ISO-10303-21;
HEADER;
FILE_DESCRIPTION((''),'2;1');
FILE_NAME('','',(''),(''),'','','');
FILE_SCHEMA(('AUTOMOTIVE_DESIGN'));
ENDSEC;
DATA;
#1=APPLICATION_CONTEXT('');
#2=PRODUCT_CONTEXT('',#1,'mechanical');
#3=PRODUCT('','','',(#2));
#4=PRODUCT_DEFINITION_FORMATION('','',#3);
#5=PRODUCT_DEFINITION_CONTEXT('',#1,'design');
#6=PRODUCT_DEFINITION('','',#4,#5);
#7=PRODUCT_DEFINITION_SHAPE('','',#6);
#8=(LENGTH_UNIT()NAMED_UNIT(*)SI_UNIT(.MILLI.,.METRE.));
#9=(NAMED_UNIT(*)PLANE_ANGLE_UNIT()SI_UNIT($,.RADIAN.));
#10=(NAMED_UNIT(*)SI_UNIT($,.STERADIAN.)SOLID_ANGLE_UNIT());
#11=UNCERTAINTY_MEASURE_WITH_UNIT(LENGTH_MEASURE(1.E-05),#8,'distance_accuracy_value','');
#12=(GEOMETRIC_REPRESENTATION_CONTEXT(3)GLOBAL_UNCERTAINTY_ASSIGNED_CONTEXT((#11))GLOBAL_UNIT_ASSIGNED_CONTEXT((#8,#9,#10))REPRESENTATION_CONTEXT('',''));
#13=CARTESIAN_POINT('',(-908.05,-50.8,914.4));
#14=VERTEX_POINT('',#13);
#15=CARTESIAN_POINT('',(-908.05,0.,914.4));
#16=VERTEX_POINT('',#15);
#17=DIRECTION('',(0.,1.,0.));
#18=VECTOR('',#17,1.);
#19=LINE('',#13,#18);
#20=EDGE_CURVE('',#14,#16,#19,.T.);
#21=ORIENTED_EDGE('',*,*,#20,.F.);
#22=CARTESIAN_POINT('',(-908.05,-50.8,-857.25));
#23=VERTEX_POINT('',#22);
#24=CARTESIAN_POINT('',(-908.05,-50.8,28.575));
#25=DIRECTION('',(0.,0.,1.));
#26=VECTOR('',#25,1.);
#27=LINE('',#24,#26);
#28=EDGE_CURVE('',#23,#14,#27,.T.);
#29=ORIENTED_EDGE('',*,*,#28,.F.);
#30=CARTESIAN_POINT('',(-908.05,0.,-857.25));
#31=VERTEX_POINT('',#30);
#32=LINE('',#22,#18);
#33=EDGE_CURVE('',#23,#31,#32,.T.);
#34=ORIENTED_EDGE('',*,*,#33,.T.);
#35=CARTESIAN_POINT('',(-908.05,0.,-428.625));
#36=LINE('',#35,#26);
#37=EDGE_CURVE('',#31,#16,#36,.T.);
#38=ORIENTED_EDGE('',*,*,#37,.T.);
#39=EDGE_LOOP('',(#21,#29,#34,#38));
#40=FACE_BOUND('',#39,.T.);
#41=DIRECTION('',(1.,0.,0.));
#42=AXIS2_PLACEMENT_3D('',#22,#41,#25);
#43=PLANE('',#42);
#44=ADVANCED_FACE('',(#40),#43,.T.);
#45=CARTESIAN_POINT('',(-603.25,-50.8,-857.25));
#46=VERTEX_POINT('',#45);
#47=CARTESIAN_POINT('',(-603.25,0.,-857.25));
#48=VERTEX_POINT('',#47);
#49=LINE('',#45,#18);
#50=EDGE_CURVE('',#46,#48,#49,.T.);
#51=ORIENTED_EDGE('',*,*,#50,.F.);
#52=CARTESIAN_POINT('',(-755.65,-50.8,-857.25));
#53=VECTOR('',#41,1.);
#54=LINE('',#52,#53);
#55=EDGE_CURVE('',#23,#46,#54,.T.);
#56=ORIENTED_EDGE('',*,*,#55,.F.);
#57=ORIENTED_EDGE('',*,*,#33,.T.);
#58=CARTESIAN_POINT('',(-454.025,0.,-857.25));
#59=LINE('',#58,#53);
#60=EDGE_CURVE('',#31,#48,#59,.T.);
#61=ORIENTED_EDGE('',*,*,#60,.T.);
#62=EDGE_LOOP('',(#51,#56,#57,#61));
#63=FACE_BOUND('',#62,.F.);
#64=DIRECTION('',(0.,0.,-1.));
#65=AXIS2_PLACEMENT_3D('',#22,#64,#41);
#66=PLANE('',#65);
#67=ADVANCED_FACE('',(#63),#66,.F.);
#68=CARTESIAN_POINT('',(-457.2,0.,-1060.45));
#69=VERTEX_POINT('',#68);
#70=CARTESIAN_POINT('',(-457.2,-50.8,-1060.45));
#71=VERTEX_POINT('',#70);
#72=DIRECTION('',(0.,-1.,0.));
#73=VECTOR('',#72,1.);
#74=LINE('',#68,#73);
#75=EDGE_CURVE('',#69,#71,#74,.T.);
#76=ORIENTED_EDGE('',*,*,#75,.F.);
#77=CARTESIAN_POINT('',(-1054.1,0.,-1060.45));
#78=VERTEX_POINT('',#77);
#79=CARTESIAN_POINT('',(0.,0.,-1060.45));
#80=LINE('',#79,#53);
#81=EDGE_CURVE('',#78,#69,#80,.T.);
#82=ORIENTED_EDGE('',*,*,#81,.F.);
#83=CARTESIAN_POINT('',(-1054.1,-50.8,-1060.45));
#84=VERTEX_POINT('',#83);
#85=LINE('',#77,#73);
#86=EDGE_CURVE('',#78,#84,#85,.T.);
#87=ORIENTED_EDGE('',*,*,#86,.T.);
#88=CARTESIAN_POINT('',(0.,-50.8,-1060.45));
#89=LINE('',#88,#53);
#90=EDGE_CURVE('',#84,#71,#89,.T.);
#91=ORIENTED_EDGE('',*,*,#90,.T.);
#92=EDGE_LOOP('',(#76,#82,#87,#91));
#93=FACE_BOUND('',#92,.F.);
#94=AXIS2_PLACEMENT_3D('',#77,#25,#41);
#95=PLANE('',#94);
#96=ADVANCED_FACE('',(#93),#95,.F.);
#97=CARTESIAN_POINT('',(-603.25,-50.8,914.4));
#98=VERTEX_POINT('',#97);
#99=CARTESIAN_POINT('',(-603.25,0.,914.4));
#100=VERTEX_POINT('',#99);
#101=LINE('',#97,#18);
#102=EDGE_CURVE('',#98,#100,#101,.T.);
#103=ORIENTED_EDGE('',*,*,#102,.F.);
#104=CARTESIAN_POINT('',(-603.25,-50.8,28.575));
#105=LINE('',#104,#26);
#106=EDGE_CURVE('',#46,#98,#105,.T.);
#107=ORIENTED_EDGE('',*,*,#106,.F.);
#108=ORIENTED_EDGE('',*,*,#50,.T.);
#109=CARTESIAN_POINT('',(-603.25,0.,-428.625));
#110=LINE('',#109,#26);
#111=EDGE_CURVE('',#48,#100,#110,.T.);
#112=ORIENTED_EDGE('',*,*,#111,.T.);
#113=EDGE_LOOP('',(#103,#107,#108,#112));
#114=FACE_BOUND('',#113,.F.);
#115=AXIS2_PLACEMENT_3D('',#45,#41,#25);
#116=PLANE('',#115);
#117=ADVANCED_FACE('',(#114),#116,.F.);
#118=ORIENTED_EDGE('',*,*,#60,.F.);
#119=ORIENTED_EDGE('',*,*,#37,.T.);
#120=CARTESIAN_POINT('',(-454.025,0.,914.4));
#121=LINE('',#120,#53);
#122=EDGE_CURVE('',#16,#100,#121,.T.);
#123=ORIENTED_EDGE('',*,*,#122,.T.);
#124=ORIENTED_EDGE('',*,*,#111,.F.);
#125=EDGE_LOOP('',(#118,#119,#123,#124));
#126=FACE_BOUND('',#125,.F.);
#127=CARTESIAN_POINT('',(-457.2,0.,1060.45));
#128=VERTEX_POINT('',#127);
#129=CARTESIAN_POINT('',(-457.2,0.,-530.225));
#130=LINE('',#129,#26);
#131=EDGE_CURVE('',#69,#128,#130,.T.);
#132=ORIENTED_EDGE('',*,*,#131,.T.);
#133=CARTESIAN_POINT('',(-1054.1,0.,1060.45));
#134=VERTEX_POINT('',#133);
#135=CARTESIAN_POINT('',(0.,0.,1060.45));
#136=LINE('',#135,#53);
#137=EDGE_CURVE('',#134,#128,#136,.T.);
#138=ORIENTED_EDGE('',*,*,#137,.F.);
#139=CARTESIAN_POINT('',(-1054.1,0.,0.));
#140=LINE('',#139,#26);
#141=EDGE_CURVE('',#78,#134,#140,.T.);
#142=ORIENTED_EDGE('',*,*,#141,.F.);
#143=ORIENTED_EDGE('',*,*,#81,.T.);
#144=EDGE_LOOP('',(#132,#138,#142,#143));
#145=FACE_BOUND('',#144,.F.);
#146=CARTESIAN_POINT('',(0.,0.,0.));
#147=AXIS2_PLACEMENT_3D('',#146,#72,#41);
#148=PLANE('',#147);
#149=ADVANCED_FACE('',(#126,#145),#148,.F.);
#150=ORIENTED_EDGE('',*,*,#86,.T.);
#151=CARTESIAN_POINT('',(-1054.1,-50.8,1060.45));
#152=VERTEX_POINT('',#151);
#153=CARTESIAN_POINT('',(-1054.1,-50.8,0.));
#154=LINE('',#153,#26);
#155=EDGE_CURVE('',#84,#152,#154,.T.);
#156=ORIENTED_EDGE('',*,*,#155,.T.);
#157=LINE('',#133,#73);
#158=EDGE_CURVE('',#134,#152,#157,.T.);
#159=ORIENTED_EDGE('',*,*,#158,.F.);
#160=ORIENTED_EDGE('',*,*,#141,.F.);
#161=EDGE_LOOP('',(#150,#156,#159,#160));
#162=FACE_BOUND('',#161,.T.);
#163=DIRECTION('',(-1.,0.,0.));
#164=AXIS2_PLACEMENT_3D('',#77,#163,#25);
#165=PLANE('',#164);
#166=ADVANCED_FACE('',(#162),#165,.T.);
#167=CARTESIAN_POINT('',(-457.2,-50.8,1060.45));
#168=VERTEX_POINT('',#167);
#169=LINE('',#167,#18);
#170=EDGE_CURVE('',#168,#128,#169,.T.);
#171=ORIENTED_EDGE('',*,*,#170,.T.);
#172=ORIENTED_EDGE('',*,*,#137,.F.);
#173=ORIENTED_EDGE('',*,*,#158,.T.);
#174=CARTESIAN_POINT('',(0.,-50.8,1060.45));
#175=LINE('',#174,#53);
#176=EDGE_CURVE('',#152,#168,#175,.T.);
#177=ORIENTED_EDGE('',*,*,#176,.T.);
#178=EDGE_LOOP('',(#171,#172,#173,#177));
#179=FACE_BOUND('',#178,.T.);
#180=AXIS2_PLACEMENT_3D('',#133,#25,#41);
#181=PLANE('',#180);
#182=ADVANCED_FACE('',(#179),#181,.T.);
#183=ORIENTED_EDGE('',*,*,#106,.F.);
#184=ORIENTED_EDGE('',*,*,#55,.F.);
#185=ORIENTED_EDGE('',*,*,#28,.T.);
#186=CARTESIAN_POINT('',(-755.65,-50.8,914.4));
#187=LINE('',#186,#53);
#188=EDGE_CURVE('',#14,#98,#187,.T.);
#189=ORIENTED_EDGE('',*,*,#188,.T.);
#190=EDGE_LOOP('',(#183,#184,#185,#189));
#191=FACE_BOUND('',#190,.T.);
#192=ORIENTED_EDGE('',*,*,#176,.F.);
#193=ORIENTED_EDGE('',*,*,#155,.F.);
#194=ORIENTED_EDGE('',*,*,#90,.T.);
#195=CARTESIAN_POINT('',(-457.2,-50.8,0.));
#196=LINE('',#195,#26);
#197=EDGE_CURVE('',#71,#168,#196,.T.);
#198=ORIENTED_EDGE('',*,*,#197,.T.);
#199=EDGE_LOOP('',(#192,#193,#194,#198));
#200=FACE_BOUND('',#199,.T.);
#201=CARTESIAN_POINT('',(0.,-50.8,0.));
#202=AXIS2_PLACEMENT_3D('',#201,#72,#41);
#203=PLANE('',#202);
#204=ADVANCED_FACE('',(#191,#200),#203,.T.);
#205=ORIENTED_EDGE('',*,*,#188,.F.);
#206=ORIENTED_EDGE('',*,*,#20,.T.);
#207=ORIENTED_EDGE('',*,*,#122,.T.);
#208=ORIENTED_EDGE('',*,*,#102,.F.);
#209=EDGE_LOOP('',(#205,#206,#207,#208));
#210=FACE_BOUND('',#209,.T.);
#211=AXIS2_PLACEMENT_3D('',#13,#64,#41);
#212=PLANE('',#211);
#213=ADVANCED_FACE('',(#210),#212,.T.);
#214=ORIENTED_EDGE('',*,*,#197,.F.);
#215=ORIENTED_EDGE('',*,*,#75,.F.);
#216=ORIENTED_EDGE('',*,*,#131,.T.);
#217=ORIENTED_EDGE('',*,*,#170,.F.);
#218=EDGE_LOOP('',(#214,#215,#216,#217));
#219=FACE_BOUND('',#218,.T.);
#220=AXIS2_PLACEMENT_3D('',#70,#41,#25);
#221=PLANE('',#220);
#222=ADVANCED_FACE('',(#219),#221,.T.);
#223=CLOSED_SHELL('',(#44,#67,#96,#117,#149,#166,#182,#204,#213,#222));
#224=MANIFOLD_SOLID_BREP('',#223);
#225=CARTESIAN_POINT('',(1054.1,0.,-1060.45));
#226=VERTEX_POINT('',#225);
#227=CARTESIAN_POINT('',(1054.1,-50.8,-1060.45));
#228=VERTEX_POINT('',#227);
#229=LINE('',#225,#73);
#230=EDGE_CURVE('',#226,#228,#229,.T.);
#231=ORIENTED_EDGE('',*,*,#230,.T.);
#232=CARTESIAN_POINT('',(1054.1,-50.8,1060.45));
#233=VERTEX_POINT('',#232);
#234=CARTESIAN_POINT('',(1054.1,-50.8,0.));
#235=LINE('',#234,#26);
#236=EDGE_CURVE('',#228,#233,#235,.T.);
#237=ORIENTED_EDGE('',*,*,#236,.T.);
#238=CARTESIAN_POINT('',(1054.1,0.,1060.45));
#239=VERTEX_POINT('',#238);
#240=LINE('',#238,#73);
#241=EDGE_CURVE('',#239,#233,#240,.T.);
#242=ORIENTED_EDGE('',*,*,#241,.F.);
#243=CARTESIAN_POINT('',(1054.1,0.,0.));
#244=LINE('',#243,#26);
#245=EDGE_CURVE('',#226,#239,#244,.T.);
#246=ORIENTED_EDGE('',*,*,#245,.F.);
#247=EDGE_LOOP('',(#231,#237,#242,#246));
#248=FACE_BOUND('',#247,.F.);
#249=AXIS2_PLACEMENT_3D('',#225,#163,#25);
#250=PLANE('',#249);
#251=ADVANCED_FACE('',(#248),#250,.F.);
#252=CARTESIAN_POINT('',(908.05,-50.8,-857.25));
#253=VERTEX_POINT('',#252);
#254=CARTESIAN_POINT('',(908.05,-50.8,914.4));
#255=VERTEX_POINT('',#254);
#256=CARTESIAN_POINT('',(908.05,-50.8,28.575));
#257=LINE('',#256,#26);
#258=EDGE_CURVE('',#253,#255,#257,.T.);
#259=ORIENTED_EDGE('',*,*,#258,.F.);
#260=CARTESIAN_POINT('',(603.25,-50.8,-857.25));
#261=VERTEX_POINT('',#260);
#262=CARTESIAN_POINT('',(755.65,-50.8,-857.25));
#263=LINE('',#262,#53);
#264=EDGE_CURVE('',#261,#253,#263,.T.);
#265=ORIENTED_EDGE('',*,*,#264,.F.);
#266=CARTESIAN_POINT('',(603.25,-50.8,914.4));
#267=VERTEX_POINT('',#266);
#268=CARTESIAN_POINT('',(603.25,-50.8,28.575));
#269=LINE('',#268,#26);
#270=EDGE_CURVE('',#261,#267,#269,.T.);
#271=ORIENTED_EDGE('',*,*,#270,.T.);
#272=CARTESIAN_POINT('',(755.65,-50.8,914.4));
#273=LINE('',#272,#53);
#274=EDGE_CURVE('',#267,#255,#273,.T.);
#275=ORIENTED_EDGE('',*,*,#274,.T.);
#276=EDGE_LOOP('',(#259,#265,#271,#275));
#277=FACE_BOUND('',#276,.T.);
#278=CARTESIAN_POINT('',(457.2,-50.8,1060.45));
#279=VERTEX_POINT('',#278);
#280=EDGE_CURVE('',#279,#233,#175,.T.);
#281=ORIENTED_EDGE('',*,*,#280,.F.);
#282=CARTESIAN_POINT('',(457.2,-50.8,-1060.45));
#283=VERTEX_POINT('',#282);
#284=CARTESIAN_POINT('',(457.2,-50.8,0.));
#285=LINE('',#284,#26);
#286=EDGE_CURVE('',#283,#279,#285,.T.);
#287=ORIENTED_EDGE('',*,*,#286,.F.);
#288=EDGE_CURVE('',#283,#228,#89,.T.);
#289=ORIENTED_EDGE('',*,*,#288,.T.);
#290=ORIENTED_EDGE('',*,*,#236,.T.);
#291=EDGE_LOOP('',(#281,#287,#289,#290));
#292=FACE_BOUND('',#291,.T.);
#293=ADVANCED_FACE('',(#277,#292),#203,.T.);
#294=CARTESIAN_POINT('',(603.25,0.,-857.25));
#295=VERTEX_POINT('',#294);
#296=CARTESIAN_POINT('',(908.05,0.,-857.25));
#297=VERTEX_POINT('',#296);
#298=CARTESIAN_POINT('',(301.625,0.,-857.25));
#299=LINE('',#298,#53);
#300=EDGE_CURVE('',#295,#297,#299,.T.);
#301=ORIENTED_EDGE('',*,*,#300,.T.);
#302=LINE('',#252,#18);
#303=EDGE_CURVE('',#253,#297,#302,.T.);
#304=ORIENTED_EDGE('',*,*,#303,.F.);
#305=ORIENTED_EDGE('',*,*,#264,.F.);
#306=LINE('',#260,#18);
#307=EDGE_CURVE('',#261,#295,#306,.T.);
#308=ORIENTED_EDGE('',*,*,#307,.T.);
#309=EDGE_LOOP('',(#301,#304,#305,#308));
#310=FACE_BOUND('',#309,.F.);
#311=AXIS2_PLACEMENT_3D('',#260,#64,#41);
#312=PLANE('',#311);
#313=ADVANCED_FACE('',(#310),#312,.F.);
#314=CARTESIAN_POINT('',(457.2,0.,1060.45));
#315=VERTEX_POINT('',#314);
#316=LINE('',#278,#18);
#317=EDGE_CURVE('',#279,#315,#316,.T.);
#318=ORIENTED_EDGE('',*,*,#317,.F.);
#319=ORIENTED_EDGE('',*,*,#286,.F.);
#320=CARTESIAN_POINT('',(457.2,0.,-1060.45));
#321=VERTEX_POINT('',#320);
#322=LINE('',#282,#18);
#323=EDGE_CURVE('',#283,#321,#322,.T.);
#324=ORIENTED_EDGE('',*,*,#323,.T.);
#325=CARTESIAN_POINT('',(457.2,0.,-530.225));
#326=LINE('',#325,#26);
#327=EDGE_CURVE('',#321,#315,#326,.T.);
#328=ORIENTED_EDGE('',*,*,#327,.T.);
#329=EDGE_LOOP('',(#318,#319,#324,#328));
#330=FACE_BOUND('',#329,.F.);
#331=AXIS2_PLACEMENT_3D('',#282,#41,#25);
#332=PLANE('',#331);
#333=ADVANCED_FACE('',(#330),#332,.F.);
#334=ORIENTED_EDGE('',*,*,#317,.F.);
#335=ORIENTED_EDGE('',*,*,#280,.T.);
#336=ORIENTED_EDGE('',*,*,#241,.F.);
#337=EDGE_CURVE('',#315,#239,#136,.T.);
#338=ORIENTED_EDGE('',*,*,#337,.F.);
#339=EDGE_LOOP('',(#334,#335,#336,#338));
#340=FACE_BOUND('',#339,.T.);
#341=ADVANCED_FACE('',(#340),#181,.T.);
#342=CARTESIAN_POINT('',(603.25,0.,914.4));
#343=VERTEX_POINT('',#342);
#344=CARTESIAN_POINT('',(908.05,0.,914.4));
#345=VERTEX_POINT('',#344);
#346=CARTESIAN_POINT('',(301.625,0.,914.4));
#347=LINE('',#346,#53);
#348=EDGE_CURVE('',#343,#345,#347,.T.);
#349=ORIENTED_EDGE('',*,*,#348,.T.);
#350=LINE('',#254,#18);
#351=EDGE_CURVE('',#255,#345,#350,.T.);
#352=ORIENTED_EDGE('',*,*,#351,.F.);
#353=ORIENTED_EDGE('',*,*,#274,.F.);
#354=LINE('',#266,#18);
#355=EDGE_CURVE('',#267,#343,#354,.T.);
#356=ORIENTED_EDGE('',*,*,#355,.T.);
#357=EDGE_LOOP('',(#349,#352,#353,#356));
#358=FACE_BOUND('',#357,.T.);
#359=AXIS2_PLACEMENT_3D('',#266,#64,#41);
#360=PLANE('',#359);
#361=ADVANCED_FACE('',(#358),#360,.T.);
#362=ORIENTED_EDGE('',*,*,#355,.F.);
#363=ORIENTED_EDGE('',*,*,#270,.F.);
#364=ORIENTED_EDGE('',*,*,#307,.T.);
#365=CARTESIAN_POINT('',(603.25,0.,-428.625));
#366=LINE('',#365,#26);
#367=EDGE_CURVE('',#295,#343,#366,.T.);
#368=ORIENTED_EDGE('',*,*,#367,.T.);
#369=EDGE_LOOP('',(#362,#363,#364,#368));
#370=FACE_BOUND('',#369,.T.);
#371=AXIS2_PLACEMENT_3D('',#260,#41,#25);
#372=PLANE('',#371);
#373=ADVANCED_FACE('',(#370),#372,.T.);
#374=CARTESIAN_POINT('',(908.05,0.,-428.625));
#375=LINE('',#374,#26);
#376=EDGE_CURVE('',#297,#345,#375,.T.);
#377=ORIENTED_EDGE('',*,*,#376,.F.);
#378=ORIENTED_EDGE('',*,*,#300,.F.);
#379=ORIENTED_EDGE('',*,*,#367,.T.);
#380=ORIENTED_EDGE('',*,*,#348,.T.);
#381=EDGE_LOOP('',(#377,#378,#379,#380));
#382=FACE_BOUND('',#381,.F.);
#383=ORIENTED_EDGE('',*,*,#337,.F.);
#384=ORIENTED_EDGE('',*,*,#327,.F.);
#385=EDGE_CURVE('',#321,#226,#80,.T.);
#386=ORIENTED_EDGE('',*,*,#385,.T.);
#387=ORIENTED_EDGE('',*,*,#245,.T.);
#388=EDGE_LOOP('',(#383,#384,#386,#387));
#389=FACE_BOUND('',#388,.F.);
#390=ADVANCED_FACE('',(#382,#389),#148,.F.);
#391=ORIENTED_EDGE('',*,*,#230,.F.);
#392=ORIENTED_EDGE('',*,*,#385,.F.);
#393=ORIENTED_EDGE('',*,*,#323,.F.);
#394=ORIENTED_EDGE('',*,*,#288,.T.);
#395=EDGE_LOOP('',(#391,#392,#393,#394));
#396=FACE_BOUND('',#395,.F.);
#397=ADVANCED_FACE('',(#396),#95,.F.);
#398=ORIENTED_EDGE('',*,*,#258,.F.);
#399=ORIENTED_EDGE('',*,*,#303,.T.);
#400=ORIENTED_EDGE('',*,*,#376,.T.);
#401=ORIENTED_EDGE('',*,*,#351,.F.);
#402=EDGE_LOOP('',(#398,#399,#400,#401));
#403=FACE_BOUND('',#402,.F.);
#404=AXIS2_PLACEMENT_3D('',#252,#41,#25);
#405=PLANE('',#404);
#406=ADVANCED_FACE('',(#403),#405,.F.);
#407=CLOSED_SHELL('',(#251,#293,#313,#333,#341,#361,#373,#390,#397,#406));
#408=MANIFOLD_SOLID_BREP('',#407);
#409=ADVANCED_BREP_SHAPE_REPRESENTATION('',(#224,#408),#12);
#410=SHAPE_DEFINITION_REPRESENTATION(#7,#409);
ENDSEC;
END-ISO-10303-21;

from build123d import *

# Parameters (mm, degrees)
F0_W     = 2108.2
F0_H     = 2120.9
F1_DEPTH = 50.8
F2_W     = 914.4
F2_H     = 2120.9
F3_DEPTH = 12.7
F4_R     = 25.4
F5_DEPTH = 38.101
F6_W     = 304.8
F6_H     = 1771.65
F7_DEPTH = 50.801
F8_DEPTH = 50.801


with BuildPart() as f1:
    # F0 (on Front) → F1 (new body)
    with BuildSketch(Plane.XZ):
        Rectangle(F0_W, F0_H)
    extrude(amount=F1_DEPTH)

    # F2 (on face) → F3 (cut)
    with BuildSketch(Plane.XZ.offset(50.8)):
        Rectangle(F2_W, F2_H)
    extrude(amount=-F3_DEPTH, mode=Mode.SUBTRACT)

    # F4 (on face) → F5 (cut, through all)
    with BuildSketch(Plane.XZ.offset(38.1)):
        with Locations((406.4, 0)):
            Circle(F4_R)
    extrude(amount=-F5_DEPTH, mode=Mode.SUBTRACT)

    # F6 (on face) → F7 (cut, through all)
    with BuildSketch(Plane.XZ.offset(50.8)):
        with Locations((-755.65, 28.575)):
            Rectangle(F6_W, F6_H)
        with Locations((755.65, 28.575)):
            Rectangle(F6_W, F6_H)
    extrude(amount=-F7_DEPTH, mode=Mode.SUBTRACT)

    # F2 (on face) → F8 (cut, through all)
    with BuildSketch(Plane.XZ.offset(50.8)):
        Rectangle(F2_W, F2_H)
    extrude(amount=-F8_DEPTH, mode=Mode.SUBTRACT)


solid = f1.part
